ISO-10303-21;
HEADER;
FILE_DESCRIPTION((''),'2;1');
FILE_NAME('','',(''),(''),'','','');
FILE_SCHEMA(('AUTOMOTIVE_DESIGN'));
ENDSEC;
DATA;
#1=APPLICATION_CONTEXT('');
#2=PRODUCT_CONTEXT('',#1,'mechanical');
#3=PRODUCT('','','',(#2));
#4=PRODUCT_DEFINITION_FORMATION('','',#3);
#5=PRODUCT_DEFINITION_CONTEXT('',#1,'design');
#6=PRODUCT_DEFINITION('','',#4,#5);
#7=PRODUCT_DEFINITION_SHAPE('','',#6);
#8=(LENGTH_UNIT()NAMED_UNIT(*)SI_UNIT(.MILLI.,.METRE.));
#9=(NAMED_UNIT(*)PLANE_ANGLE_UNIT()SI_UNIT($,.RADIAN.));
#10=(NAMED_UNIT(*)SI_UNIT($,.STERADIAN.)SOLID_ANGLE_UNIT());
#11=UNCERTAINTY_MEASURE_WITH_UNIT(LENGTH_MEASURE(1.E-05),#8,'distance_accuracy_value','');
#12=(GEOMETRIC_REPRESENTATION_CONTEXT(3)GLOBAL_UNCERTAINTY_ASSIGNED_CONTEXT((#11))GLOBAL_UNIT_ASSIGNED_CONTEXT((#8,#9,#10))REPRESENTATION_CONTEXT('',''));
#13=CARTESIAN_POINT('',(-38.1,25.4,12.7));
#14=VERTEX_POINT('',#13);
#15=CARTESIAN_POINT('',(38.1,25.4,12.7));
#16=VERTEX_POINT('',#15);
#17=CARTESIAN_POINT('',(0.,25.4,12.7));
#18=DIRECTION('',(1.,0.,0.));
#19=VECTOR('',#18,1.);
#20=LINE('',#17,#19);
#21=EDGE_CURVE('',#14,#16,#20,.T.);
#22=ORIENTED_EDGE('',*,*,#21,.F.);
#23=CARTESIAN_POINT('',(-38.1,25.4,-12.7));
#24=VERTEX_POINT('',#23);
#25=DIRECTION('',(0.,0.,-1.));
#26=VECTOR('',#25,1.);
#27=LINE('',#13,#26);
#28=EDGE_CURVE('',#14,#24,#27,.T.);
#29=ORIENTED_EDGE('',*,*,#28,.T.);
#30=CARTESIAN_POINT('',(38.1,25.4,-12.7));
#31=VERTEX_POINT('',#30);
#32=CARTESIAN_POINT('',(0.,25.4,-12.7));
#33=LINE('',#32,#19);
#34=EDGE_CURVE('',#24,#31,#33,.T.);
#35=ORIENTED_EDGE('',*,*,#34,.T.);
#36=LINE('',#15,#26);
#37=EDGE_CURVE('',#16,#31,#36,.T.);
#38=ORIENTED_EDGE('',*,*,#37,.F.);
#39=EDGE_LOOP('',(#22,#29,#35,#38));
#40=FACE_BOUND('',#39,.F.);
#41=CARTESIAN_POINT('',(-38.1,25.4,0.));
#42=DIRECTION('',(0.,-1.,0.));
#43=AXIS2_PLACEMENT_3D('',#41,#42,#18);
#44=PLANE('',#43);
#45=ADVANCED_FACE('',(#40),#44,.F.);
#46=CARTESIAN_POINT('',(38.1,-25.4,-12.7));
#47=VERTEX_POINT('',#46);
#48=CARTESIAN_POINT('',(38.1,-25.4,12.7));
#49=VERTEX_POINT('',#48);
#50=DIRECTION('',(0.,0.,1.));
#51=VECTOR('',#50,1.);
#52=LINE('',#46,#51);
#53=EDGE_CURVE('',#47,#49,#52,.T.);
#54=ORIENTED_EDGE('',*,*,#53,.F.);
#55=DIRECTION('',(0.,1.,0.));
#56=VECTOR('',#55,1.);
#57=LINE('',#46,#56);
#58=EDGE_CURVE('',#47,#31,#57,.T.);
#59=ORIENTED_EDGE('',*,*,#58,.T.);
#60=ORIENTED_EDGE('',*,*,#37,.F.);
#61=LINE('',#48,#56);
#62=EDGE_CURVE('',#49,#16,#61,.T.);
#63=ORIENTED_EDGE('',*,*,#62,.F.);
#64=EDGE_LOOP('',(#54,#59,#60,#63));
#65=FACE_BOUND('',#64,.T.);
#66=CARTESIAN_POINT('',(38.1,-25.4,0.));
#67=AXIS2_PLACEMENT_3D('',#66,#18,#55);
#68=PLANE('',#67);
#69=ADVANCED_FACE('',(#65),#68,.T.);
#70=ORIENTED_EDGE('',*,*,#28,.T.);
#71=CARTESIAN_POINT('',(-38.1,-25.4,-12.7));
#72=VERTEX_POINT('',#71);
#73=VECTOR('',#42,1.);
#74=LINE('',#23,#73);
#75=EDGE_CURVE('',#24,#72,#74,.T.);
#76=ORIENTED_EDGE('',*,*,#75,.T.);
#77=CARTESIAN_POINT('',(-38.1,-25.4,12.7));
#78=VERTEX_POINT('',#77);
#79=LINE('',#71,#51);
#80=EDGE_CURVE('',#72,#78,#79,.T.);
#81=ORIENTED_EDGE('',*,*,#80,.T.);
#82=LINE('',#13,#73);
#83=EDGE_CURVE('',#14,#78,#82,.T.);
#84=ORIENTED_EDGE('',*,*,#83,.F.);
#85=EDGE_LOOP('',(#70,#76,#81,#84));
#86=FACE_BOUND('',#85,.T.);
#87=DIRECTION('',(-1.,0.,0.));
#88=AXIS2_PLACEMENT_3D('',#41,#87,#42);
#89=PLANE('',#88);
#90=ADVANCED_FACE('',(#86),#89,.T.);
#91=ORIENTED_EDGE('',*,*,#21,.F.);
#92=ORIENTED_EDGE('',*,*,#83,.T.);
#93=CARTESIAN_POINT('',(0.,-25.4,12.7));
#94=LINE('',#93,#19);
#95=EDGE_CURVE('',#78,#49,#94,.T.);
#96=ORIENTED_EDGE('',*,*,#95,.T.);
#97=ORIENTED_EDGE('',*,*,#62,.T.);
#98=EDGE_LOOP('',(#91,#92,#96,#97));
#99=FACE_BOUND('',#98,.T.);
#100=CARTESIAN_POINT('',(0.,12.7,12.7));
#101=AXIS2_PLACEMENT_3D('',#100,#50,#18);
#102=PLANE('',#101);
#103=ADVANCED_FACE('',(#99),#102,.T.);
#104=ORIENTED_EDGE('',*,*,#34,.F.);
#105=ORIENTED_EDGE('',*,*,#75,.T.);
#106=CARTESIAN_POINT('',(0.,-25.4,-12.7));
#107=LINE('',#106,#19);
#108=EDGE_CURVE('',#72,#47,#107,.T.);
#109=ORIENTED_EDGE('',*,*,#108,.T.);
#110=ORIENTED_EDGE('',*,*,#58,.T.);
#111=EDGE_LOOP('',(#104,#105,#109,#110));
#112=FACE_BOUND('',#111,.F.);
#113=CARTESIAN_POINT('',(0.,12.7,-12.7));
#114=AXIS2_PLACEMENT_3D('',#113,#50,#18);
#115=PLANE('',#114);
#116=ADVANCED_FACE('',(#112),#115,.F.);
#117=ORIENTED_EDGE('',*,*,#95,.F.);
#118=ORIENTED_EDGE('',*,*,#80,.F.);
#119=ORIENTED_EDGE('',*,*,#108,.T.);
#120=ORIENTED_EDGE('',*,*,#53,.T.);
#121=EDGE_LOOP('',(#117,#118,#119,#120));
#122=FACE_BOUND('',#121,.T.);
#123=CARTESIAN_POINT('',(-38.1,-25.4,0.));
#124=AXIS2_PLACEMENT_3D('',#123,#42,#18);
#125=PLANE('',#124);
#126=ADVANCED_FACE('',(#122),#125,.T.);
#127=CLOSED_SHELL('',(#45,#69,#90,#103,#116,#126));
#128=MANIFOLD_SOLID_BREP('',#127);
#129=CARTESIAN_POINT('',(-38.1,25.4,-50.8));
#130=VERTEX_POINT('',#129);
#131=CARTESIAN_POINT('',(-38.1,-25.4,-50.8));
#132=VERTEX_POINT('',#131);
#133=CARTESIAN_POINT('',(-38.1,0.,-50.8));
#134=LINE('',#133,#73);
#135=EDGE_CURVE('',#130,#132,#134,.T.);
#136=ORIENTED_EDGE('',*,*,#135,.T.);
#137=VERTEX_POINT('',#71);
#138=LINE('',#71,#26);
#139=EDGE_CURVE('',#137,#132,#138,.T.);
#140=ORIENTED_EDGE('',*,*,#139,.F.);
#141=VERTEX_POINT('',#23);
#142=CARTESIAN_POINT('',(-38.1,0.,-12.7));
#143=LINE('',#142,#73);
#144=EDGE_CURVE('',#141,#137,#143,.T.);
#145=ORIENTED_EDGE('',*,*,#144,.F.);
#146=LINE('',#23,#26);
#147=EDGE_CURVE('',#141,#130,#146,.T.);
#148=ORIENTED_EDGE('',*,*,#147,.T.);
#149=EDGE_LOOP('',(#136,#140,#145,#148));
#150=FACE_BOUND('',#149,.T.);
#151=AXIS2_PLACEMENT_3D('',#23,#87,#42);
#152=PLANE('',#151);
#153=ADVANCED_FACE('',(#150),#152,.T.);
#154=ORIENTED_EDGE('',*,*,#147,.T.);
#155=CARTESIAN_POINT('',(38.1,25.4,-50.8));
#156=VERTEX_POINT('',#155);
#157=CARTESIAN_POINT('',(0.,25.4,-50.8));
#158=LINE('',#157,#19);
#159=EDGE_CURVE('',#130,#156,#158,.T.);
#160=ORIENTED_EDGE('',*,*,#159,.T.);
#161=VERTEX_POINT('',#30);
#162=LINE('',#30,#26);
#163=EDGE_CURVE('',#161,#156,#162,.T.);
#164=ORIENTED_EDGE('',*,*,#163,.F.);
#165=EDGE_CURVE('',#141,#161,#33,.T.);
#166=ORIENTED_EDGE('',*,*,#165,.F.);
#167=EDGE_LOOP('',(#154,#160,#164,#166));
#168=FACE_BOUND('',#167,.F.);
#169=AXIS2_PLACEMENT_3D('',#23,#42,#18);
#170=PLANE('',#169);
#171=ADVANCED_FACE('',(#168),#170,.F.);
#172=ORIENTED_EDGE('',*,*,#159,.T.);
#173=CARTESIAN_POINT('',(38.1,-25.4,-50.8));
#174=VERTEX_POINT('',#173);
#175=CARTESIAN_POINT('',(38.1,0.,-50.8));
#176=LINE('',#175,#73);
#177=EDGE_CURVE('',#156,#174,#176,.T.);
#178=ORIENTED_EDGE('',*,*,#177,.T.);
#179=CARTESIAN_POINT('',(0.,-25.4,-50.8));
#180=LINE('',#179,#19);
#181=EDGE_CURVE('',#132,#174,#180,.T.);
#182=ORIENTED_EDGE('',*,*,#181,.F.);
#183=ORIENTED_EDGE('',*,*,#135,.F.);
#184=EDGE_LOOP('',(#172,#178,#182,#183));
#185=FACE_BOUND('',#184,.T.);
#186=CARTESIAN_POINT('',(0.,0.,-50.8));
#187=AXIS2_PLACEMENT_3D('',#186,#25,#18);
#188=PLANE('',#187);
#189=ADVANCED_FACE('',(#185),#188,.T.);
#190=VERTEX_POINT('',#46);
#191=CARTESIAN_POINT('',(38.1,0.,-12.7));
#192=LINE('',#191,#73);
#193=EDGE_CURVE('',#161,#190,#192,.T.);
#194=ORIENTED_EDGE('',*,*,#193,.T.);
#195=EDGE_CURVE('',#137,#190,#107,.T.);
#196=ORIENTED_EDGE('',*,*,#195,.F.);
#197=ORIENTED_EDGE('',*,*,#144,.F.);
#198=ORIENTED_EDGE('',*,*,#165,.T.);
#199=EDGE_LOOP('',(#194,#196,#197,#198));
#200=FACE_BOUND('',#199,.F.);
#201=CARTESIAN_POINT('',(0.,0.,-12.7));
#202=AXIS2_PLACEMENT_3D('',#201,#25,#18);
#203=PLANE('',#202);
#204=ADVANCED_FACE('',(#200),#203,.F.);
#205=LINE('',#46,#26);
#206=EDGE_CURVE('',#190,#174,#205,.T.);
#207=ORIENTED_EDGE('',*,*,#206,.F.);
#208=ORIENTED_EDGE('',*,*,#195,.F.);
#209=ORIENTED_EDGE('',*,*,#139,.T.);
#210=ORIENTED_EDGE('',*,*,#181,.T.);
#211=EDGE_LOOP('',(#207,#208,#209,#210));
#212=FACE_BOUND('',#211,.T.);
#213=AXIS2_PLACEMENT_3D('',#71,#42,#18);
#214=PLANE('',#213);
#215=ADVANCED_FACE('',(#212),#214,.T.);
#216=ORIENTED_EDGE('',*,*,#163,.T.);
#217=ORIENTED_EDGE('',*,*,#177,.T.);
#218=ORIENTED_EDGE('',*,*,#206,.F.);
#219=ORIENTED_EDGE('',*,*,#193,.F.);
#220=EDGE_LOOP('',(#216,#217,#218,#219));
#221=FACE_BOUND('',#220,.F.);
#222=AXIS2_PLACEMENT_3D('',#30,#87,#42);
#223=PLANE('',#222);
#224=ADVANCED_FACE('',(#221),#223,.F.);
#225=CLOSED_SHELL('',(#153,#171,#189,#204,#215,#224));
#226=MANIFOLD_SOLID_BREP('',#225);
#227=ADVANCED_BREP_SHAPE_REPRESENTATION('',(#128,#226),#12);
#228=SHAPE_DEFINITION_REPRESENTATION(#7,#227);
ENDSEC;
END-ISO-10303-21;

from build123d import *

# Parameters (mm, degrees)
F0_W      = 76.2
F0_H      = 25.4
F1_DEPTH  = 12.7
F1_FACE_W = 76.2
F1_FACE_H = 50.8
F2_DEPTH  = 38.1


with BuildPart() as f1:
    # F0 (on Top) → F1 (new body, symmetric)
    with BuildSketch(Plane.XY):
        with Locations((0, 12.7)):
            Rectangle(F0_W, F0_H)
        with Locations((0, -12.7)):
            Rectangle(F0_W, F0_H)
    extrude(amount=F1_DEPTH, both=True)


with BuildPart() as f2:
    # F1_face (on face) → F2 (new body)
    with BuildSketch(Plane(origin=(0, 0, -12.7), x_dir=(1, 0, 0), z_dir=(0, 0, -1))):
        Rectangle(F1_FACE_W, F1_FACE_H)
    extrude(amount=F2_DEPTH)


solid = Compound([f1.part, f2.part])
